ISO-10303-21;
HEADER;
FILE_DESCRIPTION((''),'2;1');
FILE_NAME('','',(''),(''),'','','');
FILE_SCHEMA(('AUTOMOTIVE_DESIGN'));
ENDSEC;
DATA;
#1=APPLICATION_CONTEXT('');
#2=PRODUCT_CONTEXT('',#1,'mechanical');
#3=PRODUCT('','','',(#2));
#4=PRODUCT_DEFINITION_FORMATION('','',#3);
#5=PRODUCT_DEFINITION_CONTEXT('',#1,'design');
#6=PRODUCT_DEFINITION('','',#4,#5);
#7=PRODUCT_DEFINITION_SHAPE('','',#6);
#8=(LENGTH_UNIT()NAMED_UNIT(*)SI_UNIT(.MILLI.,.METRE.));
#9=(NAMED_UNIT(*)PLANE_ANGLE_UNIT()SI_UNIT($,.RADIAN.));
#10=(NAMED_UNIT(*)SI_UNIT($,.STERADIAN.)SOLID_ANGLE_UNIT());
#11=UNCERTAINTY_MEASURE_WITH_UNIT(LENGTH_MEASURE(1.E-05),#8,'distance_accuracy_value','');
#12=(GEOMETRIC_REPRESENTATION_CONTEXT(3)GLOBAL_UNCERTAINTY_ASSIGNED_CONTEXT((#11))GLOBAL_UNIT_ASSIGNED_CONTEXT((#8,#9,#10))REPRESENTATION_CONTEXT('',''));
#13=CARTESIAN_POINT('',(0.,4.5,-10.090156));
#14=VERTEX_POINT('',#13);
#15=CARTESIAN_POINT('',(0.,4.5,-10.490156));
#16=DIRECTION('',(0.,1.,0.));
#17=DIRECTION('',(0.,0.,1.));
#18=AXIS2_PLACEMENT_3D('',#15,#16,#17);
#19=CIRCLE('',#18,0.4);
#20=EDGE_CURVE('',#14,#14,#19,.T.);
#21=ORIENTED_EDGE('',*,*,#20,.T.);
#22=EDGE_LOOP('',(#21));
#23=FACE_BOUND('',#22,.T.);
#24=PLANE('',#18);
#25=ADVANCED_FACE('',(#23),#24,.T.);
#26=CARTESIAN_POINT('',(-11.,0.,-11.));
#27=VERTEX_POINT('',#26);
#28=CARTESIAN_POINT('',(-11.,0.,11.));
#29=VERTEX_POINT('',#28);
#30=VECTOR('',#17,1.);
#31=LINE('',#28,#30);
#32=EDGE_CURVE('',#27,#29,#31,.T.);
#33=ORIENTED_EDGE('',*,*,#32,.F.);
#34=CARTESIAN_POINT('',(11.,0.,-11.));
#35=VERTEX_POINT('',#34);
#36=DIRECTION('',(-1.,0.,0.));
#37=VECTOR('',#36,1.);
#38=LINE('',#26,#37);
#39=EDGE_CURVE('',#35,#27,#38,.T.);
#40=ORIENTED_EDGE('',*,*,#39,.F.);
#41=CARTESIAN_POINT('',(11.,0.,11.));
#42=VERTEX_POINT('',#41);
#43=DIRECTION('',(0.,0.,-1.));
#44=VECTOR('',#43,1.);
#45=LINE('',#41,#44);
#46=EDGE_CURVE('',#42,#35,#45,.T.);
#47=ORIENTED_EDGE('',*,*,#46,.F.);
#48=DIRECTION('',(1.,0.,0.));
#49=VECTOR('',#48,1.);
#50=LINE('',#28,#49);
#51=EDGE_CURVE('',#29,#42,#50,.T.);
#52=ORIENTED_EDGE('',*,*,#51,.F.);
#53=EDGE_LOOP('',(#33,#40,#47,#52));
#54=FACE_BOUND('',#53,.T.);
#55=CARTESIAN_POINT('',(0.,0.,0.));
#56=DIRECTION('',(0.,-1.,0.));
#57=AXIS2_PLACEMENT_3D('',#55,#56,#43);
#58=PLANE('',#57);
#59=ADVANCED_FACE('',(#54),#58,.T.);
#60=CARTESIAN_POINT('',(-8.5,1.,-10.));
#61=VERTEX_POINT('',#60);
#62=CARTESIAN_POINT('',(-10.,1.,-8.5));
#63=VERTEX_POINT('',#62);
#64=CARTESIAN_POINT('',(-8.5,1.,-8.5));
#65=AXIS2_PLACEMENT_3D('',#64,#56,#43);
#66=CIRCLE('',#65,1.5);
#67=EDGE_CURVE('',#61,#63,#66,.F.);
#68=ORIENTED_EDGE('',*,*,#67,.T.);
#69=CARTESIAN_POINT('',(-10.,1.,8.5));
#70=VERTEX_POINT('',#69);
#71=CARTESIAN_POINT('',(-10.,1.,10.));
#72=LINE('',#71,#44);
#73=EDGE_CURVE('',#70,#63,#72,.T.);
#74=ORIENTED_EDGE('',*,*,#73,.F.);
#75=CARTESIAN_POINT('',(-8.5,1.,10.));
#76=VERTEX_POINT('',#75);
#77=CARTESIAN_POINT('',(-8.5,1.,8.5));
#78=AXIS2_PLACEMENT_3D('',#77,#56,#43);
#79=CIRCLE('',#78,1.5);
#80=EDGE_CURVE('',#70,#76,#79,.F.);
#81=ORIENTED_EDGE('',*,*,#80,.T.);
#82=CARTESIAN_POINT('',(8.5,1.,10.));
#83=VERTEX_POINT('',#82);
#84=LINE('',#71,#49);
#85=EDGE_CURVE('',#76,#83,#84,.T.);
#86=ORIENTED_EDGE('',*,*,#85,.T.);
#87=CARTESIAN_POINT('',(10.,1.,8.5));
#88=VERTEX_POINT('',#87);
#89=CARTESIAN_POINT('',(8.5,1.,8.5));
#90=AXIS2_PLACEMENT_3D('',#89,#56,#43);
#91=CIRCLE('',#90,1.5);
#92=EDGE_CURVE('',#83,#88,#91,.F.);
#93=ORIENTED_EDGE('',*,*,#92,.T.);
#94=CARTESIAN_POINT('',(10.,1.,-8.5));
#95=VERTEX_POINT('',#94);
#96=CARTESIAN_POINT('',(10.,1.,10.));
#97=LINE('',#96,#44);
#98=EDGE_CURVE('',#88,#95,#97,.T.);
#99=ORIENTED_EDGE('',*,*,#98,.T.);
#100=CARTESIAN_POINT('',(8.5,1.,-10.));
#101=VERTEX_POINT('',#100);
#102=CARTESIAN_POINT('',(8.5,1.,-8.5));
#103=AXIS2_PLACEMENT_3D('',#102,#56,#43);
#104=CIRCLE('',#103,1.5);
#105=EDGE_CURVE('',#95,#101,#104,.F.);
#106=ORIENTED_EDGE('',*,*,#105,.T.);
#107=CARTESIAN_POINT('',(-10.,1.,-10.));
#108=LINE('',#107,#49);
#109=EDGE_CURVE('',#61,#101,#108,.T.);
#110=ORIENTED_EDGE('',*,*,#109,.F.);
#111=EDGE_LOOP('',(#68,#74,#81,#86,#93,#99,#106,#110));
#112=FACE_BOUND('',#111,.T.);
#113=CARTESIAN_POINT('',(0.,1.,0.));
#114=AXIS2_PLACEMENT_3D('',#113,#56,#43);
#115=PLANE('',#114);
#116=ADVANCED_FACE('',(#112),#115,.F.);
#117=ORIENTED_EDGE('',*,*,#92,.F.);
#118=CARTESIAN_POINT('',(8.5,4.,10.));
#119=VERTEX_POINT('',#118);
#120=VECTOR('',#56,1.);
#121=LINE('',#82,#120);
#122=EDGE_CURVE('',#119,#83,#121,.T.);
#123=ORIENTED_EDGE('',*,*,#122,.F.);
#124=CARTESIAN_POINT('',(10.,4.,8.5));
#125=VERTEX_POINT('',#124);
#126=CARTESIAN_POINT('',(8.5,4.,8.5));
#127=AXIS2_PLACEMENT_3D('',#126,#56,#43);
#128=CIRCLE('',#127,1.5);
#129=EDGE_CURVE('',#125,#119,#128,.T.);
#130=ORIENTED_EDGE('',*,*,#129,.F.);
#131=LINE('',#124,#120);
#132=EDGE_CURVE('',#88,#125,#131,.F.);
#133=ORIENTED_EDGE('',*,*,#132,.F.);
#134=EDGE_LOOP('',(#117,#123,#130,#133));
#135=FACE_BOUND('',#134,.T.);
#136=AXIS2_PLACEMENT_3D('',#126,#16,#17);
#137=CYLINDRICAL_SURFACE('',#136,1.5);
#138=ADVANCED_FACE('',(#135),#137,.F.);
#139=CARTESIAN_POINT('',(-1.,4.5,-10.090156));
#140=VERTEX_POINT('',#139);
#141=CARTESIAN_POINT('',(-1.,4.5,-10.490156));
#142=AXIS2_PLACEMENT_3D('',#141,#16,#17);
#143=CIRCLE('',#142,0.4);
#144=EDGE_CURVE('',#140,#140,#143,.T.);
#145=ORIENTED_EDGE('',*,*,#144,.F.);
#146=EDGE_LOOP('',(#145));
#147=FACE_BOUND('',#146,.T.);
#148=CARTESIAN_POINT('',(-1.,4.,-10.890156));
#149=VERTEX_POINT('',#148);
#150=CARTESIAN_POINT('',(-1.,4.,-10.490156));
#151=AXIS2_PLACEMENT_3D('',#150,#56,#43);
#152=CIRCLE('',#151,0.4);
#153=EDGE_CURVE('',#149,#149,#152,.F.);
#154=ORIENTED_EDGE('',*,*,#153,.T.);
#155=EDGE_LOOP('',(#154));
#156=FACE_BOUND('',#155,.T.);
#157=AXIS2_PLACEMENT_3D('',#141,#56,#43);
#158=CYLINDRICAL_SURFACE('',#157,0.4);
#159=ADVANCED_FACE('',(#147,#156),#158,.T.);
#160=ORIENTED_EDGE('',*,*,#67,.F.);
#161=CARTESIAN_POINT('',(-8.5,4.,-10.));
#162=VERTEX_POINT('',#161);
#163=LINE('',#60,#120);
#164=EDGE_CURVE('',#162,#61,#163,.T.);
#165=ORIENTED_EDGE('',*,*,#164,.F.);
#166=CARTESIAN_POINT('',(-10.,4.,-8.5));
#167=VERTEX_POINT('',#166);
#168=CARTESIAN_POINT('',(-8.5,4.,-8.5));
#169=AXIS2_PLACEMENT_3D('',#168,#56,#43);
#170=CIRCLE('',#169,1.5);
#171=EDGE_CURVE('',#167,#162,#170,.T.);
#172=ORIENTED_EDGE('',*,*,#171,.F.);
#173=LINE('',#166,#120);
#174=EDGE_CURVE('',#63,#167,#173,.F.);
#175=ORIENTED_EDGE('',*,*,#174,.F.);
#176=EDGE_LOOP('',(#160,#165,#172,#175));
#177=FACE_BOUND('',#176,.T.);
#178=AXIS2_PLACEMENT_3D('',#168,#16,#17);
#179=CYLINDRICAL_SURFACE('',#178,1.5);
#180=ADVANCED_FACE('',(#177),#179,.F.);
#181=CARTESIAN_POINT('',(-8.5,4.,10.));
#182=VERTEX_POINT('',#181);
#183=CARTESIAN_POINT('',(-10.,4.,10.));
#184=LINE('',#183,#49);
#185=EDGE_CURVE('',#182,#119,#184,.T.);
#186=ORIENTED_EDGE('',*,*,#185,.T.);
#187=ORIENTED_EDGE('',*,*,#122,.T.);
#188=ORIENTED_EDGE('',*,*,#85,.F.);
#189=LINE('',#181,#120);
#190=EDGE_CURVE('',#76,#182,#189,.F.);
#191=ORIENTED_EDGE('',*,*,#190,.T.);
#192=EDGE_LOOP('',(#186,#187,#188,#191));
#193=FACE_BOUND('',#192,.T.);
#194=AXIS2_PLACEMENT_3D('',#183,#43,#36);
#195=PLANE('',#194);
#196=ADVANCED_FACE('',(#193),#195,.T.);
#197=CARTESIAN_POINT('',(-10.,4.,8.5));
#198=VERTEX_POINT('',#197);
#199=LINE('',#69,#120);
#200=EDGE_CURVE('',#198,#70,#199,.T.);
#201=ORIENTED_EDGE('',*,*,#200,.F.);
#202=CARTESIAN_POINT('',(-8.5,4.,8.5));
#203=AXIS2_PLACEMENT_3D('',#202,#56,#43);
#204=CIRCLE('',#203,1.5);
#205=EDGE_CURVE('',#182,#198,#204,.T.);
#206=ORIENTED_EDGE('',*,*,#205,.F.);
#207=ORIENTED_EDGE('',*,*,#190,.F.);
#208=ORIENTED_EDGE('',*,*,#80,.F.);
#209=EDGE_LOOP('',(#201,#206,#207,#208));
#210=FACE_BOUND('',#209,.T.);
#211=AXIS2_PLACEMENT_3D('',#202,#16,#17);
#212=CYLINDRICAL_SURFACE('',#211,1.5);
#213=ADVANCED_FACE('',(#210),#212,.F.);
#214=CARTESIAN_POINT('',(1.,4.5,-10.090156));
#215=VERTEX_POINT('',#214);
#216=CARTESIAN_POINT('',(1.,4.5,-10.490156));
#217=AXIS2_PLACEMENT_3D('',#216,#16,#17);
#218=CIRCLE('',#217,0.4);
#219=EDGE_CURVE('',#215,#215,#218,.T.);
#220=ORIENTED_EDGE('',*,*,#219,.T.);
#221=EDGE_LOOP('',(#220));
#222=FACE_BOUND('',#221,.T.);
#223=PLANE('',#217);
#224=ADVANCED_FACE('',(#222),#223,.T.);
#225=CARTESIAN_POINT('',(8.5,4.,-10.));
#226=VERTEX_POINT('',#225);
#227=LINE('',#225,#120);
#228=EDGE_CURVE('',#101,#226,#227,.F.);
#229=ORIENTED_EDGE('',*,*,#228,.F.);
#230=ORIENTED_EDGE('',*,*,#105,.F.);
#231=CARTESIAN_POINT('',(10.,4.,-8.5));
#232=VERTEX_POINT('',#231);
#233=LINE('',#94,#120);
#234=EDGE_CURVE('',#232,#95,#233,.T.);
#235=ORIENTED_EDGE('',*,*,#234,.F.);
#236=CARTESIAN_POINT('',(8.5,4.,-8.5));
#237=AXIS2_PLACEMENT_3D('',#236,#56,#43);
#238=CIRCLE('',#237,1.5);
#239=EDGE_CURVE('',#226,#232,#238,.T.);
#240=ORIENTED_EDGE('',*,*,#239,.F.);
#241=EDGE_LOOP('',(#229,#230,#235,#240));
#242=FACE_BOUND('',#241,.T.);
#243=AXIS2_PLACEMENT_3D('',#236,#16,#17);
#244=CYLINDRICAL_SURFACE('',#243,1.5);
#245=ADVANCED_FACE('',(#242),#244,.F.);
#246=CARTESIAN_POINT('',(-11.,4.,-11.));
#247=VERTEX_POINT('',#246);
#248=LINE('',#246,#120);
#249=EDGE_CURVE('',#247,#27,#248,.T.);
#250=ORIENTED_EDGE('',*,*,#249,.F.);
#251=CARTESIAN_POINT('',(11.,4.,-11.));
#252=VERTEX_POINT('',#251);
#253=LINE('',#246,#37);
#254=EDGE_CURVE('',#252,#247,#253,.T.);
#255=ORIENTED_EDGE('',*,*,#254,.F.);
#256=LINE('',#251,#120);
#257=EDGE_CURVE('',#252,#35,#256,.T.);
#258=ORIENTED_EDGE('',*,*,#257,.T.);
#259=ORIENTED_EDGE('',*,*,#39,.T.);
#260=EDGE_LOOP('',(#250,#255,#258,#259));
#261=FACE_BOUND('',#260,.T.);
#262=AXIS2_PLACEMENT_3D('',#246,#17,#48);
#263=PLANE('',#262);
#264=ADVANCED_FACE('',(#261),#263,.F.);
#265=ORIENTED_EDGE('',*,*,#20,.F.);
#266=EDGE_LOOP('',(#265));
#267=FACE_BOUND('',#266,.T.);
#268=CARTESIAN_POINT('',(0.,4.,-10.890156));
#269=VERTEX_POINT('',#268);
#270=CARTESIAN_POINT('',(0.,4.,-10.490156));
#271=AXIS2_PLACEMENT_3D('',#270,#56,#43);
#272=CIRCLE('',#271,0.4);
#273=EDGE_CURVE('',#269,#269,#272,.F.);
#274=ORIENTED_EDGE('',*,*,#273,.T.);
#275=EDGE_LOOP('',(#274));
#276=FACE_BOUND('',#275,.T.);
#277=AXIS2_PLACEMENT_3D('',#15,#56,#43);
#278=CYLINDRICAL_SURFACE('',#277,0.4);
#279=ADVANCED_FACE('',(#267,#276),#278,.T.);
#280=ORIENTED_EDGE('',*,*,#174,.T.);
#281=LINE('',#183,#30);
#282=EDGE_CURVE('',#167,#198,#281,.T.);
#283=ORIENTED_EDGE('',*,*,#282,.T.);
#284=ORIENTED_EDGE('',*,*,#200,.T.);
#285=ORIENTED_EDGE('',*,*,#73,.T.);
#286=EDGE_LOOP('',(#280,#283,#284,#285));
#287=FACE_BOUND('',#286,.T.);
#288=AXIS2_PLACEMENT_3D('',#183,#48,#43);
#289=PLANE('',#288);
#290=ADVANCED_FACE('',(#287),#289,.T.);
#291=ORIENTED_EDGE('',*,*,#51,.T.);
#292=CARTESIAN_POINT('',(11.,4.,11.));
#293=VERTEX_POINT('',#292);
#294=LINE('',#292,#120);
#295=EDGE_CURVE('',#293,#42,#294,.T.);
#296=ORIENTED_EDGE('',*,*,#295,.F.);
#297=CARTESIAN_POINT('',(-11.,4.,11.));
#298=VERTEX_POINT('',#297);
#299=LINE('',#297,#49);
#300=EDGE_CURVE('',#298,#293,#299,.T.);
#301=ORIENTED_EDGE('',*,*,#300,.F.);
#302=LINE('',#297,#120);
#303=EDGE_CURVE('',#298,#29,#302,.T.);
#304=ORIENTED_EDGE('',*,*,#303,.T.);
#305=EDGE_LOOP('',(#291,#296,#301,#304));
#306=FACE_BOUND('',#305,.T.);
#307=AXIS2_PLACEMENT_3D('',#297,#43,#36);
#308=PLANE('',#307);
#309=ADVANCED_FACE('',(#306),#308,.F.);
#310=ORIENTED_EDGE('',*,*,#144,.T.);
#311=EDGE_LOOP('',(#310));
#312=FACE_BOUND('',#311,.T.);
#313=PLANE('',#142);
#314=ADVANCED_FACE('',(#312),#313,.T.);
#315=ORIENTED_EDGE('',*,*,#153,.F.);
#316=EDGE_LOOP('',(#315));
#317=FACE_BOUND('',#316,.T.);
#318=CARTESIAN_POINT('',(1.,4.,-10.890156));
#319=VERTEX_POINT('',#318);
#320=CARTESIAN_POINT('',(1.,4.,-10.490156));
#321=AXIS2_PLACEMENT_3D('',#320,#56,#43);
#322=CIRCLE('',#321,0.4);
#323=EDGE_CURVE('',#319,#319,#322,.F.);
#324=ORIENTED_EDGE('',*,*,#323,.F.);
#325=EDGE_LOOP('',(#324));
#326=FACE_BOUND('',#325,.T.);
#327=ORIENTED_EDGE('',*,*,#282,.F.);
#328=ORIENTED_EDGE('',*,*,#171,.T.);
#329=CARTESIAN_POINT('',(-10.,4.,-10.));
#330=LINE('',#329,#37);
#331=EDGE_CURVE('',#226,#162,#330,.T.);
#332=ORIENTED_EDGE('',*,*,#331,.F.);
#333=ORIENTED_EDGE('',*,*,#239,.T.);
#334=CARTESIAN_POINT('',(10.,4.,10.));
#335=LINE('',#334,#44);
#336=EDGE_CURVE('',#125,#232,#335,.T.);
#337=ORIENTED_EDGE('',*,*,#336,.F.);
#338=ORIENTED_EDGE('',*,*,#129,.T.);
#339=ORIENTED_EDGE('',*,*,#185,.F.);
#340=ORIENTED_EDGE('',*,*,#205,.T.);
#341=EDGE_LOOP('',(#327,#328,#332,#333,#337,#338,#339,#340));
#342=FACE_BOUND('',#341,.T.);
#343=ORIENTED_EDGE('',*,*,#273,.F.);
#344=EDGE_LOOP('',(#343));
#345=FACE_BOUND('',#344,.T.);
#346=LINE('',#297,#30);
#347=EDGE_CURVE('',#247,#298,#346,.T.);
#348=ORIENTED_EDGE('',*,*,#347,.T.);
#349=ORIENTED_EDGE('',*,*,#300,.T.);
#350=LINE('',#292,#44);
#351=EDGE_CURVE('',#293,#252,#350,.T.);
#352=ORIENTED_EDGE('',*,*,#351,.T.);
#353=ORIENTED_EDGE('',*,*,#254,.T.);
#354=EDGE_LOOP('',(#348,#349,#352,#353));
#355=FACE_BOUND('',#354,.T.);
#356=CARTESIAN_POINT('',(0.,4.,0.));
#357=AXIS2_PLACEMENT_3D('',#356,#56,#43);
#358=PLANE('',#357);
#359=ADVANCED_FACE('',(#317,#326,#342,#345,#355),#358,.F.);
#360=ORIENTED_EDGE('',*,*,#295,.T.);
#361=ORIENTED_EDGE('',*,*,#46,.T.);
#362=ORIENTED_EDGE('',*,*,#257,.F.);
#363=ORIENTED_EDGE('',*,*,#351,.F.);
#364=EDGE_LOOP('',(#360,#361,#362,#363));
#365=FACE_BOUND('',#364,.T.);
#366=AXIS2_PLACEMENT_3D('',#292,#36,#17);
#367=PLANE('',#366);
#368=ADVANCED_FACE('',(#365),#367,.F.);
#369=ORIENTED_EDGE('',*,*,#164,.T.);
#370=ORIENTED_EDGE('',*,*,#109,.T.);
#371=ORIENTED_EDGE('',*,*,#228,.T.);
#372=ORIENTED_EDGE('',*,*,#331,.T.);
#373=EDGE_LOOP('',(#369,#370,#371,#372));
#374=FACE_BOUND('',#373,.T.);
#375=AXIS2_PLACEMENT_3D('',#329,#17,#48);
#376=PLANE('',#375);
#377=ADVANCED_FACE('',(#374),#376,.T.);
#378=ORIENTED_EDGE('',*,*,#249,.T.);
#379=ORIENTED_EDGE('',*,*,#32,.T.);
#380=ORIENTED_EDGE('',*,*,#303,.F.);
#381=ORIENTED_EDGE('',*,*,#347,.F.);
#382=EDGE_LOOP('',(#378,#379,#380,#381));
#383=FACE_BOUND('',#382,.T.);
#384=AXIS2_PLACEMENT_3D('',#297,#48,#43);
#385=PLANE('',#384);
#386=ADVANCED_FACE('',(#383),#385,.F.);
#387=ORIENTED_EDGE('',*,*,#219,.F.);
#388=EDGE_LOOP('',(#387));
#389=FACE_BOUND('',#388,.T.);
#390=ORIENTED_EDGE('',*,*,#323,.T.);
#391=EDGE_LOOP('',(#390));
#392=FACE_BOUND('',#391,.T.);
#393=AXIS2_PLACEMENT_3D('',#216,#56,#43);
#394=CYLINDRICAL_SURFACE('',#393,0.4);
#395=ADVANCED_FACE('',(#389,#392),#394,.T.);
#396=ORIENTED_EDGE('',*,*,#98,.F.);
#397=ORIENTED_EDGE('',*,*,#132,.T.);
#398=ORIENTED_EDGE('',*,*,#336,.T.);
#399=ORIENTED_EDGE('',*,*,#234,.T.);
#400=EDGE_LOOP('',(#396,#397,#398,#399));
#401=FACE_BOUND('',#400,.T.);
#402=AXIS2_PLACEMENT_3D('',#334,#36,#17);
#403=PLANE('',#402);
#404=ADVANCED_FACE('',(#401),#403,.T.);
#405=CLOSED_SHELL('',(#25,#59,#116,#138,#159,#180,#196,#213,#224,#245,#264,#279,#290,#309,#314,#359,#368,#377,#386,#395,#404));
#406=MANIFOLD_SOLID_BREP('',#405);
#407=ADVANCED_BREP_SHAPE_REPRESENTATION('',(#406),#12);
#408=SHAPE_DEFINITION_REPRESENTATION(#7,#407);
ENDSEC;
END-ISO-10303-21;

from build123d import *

# Parameters (mm, degrees)
SKETCH1_W           = 20
SKETCH1_H           = 20
BOSS_EXTRUDE2_DEPTH = 1
SKETCH1_6_W         = 22
SKETCH1_6_H         = 22
SKETCH1_6_W_2       = 20
SKETCH1_6_H_2       = 20
BOSS_EXTRUDE3_DEPTH = 4
SKETCH2_R           = 0.4
BOSS_EXTRUDE4_DEPTH = 0.5
FILLET1_R           = 1.5


with BuildPart() as part:
    # Sketch1 → Boss-Extrude2 (new body)
    with BuildSketch(Plane(origin=(0, 0, 0), x_dir=(1, 0, 0), z_dir=(0, 1, 0))):
        Rectangle(SKETCH1_W, SKETCH1_H)
    extrude(amount=BOSS_EXTRUDE2_DEPTH)

    # Sketch1<6> → Boss-Extrude3 (add)
    with BuildSketch(Plane(origin=(0, 0, 0), x_dir=(1, 0, 0), z_dir=(0, 1, 0))):
        Rectangle(SKETCH1_6_W, SKETCH1_6_H)
        Rectangle(SKETCH1_6_W_2, SKETCH1_6_H_2, mode=Mode.SUBTRACT)
    extrude(amount=BOSS_EXTRUDE3_DEPTH)

    # Sketch2 → Boss-Extrude4 (add)
    with BuildSketch(Plane(origin=(0, 4, 0), x_dir=(1, 0, 0), z_dir=(0, 1, 0))):
        with Locations((0, 10.490155688)):
            Circle(SKETCH2_R)
        with Locations((1, 10.490155688)):
            Circle(SKETCH2_R)
        with Locations((-1, 10.490155688)):
            Circle(SKETCH2_R)
    extrude(amount=BOSS_EXTRUDE4_DEPTH)

    # Fillet1
    fillet1_edges = [part.edges().sort_by_distance(p)[0] for p in [
        (10, 2.5, -10),
        (-10, 2.5, -10),
        (-10, 2.5, 10),
        (10, 2.5, 10),
    ]]
    fillet(fillet1_edges, radius=FILLET1_R)


solid = part.part
